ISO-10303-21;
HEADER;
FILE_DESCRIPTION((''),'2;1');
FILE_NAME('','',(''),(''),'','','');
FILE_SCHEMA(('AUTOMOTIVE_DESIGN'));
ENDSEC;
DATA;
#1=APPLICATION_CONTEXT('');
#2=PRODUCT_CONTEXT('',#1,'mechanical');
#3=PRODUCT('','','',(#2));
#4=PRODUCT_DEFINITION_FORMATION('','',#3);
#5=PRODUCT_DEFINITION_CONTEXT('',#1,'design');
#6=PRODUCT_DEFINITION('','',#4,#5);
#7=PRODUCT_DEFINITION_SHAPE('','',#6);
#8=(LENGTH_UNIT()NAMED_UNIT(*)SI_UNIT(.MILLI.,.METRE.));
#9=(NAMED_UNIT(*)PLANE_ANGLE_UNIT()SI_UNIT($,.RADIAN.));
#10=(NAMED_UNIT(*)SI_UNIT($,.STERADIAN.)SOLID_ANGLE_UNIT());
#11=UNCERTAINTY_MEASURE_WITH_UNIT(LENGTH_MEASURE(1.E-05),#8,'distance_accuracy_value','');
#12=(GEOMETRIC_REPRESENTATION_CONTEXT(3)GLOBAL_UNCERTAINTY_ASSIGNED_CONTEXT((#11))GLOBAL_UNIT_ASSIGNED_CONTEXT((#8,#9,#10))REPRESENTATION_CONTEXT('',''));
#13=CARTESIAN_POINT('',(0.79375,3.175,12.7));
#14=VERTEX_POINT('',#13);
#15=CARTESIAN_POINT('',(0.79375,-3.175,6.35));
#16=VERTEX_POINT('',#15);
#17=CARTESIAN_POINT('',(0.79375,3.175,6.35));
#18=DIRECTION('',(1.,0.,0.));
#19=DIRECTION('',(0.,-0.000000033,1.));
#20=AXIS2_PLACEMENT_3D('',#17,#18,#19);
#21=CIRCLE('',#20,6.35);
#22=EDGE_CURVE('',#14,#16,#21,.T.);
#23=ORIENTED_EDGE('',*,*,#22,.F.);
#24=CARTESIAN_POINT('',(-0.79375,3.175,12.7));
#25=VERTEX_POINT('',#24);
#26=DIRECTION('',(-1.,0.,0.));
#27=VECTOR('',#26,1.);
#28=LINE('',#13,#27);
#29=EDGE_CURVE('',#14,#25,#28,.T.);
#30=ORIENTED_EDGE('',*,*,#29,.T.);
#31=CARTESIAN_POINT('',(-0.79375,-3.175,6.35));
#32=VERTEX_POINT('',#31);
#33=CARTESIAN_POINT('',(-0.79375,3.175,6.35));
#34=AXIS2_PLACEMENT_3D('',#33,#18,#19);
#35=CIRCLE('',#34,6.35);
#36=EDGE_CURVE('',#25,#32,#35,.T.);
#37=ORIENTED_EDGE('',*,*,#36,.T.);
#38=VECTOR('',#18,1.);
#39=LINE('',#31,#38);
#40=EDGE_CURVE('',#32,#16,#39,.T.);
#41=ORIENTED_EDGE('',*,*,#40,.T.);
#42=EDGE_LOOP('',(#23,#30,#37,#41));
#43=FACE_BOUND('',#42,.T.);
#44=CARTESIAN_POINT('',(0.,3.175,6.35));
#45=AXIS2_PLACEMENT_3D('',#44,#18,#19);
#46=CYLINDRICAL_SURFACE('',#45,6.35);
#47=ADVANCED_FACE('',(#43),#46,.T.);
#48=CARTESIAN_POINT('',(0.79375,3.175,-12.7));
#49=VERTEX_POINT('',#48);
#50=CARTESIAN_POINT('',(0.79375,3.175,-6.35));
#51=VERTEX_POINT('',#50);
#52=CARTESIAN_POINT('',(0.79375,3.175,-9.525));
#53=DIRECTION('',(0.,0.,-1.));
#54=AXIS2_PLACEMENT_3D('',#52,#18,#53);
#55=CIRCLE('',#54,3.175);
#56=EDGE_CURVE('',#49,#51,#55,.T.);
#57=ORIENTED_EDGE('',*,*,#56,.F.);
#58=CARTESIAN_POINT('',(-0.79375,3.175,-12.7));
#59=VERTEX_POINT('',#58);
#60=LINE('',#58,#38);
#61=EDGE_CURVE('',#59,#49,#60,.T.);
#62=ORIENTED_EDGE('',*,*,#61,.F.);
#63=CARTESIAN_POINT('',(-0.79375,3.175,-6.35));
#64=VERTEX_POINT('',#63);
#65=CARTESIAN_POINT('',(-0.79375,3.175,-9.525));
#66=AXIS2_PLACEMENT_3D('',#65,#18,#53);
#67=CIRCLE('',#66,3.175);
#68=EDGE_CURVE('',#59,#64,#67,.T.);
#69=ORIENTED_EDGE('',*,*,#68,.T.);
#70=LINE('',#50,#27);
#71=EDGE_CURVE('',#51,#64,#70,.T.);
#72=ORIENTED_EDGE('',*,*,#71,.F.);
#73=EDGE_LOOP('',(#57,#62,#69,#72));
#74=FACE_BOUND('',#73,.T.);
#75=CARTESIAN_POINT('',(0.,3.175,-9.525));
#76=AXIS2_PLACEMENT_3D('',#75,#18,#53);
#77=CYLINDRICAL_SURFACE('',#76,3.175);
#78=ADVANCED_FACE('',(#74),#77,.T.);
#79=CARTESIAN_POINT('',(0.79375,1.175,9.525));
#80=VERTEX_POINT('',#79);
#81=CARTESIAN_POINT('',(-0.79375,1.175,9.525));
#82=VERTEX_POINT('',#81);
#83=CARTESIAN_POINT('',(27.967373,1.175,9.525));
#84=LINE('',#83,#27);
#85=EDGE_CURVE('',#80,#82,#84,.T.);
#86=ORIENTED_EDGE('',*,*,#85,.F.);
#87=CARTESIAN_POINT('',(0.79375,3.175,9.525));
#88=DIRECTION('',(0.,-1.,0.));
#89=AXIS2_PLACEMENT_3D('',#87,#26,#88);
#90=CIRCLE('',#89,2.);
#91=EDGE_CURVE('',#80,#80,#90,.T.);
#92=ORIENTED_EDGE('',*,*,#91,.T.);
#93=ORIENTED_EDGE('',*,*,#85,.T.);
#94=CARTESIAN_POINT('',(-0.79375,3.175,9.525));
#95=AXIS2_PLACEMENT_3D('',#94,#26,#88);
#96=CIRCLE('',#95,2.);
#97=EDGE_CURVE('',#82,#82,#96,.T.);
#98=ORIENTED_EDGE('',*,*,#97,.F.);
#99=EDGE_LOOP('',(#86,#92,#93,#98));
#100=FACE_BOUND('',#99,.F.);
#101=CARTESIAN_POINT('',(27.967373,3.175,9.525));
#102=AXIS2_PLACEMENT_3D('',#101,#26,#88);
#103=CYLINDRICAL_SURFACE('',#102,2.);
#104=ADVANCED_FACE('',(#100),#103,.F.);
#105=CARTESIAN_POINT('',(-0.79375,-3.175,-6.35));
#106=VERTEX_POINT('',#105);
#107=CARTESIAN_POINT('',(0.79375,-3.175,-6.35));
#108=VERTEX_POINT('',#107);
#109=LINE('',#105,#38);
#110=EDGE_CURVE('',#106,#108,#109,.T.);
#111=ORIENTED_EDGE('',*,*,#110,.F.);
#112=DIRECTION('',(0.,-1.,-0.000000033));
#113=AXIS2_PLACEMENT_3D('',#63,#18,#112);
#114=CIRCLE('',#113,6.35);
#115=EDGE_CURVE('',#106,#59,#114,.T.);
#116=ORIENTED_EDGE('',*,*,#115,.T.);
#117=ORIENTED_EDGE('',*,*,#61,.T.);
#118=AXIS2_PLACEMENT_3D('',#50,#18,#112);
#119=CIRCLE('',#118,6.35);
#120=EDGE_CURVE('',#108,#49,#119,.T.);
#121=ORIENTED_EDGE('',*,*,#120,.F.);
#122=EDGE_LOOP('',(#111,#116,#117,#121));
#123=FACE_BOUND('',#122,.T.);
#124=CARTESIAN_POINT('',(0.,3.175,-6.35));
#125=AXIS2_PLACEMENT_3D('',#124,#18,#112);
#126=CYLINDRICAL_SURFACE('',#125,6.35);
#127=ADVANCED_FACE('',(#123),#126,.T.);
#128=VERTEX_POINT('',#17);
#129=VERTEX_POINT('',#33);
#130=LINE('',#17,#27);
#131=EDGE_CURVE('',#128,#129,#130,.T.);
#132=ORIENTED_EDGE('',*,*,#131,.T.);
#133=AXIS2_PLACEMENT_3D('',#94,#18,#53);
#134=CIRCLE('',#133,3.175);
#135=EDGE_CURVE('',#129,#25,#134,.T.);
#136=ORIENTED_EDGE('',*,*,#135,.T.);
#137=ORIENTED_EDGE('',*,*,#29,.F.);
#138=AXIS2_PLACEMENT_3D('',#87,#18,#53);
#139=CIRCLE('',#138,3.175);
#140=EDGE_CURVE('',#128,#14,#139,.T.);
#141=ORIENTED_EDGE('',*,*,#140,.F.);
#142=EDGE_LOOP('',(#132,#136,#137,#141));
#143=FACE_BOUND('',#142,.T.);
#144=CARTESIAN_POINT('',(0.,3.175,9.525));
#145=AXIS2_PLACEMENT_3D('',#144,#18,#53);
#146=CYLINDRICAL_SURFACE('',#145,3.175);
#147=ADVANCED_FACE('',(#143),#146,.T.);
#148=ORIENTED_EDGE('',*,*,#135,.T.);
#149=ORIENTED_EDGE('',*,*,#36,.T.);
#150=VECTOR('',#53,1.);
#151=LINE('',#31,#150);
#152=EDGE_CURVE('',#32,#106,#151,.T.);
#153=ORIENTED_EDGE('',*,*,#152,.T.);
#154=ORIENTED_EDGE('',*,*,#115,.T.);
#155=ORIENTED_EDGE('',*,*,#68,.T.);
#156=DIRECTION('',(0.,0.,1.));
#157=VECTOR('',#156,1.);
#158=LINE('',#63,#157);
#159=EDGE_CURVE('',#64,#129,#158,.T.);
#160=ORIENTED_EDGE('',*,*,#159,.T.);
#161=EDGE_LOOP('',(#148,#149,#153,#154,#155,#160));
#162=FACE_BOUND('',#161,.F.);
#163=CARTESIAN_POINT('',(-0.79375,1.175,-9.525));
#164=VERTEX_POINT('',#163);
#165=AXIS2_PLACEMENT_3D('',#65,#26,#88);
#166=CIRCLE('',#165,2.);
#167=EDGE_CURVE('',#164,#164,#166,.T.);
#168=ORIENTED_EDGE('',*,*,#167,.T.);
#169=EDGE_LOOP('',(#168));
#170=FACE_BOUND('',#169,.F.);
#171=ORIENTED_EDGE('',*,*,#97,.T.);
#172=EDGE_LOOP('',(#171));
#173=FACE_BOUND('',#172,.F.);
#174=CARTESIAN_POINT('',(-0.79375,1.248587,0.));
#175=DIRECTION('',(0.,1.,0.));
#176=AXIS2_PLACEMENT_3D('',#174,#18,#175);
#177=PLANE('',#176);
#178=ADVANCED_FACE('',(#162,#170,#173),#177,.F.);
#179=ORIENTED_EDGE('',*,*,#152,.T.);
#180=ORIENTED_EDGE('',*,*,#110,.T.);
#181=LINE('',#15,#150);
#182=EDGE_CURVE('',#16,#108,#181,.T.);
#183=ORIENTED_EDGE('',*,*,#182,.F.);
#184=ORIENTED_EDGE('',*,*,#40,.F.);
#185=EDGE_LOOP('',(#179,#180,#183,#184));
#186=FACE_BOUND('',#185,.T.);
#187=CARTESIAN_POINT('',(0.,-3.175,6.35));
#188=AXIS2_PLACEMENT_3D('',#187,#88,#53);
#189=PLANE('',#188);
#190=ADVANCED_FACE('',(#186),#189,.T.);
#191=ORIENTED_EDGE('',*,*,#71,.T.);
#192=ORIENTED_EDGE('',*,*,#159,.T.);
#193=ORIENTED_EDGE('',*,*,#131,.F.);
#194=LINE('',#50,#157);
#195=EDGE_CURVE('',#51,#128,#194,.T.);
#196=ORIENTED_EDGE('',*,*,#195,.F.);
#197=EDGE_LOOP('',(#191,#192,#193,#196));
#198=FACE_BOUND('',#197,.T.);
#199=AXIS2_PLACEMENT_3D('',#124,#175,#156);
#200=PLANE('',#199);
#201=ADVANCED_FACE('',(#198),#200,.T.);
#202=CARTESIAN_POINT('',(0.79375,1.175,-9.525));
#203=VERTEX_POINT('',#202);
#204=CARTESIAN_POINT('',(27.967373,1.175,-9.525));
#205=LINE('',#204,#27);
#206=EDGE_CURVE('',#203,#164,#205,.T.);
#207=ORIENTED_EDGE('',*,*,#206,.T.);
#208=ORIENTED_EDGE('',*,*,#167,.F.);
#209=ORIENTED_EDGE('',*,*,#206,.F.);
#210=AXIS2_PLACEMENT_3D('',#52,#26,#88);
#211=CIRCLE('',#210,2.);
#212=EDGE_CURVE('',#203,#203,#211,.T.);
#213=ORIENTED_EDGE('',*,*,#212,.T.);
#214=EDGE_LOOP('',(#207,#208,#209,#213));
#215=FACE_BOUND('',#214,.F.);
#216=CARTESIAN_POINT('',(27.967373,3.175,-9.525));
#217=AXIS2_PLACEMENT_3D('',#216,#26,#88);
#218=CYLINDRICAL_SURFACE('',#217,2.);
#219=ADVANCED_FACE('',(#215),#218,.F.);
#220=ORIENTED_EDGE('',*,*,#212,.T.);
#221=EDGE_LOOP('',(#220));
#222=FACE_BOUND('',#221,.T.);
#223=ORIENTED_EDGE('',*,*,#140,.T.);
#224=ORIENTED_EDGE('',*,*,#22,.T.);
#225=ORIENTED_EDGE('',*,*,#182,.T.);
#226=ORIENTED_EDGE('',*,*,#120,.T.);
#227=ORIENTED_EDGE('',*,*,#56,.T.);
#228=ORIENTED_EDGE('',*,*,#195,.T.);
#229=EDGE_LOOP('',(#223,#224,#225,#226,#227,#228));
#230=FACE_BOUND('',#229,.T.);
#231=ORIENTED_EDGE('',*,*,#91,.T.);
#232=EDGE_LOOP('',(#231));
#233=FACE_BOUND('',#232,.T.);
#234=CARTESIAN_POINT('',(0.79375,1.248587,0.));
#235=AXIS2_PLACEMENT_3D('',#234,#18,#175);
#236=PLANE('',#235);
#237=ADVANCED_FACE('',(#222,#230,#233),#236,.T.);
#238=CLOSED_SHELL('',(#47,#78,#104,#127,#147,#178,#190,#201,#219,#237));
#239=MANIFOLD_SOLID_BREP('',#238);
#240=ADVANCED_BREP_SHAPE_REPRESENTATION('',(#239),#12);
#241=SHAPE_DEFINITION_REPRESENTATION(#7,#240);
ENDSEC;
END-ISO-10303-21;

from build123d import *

# Parameters (mm, degrees)
F1_DEPTH = 0.79375
F3_D     = 4


with BuildPart() as f1:
    # F0 (on Right) → F1 (new body, symmetric)
    with BuildSketch(Plane.YZ):
        with BuildLine():
            ThreePointArc((3.175, 12.7), (-1.315128, 10.840128), (-3.175, 6.35))
            Line((-3.175, 6.35), (-3.175, -6.35))
            ThreePointArc((-3.175, -6.35), (-1.315128, -10.840128), (3.175, -12.7))
            ThreePointArc((3.175, -12.7), (6.35, -9.525), (3.175, -6.35))
            Line((3.175, -6.35), (3.175, 6.35))
            ThreePointArc((3.175, 6.35), (6.35, 9.525), (3.175, 12.7))
        make_face()
    extrude(amount=F1_DEPTH, both=True)

    # F3 (through all)
    with Locations(Plane.YZ.offset(0.79375)):
        with Locations((3.175, 9.525), (3.175, -9.525)):
            Hole(F3_D / 2)


solid = f1.part
